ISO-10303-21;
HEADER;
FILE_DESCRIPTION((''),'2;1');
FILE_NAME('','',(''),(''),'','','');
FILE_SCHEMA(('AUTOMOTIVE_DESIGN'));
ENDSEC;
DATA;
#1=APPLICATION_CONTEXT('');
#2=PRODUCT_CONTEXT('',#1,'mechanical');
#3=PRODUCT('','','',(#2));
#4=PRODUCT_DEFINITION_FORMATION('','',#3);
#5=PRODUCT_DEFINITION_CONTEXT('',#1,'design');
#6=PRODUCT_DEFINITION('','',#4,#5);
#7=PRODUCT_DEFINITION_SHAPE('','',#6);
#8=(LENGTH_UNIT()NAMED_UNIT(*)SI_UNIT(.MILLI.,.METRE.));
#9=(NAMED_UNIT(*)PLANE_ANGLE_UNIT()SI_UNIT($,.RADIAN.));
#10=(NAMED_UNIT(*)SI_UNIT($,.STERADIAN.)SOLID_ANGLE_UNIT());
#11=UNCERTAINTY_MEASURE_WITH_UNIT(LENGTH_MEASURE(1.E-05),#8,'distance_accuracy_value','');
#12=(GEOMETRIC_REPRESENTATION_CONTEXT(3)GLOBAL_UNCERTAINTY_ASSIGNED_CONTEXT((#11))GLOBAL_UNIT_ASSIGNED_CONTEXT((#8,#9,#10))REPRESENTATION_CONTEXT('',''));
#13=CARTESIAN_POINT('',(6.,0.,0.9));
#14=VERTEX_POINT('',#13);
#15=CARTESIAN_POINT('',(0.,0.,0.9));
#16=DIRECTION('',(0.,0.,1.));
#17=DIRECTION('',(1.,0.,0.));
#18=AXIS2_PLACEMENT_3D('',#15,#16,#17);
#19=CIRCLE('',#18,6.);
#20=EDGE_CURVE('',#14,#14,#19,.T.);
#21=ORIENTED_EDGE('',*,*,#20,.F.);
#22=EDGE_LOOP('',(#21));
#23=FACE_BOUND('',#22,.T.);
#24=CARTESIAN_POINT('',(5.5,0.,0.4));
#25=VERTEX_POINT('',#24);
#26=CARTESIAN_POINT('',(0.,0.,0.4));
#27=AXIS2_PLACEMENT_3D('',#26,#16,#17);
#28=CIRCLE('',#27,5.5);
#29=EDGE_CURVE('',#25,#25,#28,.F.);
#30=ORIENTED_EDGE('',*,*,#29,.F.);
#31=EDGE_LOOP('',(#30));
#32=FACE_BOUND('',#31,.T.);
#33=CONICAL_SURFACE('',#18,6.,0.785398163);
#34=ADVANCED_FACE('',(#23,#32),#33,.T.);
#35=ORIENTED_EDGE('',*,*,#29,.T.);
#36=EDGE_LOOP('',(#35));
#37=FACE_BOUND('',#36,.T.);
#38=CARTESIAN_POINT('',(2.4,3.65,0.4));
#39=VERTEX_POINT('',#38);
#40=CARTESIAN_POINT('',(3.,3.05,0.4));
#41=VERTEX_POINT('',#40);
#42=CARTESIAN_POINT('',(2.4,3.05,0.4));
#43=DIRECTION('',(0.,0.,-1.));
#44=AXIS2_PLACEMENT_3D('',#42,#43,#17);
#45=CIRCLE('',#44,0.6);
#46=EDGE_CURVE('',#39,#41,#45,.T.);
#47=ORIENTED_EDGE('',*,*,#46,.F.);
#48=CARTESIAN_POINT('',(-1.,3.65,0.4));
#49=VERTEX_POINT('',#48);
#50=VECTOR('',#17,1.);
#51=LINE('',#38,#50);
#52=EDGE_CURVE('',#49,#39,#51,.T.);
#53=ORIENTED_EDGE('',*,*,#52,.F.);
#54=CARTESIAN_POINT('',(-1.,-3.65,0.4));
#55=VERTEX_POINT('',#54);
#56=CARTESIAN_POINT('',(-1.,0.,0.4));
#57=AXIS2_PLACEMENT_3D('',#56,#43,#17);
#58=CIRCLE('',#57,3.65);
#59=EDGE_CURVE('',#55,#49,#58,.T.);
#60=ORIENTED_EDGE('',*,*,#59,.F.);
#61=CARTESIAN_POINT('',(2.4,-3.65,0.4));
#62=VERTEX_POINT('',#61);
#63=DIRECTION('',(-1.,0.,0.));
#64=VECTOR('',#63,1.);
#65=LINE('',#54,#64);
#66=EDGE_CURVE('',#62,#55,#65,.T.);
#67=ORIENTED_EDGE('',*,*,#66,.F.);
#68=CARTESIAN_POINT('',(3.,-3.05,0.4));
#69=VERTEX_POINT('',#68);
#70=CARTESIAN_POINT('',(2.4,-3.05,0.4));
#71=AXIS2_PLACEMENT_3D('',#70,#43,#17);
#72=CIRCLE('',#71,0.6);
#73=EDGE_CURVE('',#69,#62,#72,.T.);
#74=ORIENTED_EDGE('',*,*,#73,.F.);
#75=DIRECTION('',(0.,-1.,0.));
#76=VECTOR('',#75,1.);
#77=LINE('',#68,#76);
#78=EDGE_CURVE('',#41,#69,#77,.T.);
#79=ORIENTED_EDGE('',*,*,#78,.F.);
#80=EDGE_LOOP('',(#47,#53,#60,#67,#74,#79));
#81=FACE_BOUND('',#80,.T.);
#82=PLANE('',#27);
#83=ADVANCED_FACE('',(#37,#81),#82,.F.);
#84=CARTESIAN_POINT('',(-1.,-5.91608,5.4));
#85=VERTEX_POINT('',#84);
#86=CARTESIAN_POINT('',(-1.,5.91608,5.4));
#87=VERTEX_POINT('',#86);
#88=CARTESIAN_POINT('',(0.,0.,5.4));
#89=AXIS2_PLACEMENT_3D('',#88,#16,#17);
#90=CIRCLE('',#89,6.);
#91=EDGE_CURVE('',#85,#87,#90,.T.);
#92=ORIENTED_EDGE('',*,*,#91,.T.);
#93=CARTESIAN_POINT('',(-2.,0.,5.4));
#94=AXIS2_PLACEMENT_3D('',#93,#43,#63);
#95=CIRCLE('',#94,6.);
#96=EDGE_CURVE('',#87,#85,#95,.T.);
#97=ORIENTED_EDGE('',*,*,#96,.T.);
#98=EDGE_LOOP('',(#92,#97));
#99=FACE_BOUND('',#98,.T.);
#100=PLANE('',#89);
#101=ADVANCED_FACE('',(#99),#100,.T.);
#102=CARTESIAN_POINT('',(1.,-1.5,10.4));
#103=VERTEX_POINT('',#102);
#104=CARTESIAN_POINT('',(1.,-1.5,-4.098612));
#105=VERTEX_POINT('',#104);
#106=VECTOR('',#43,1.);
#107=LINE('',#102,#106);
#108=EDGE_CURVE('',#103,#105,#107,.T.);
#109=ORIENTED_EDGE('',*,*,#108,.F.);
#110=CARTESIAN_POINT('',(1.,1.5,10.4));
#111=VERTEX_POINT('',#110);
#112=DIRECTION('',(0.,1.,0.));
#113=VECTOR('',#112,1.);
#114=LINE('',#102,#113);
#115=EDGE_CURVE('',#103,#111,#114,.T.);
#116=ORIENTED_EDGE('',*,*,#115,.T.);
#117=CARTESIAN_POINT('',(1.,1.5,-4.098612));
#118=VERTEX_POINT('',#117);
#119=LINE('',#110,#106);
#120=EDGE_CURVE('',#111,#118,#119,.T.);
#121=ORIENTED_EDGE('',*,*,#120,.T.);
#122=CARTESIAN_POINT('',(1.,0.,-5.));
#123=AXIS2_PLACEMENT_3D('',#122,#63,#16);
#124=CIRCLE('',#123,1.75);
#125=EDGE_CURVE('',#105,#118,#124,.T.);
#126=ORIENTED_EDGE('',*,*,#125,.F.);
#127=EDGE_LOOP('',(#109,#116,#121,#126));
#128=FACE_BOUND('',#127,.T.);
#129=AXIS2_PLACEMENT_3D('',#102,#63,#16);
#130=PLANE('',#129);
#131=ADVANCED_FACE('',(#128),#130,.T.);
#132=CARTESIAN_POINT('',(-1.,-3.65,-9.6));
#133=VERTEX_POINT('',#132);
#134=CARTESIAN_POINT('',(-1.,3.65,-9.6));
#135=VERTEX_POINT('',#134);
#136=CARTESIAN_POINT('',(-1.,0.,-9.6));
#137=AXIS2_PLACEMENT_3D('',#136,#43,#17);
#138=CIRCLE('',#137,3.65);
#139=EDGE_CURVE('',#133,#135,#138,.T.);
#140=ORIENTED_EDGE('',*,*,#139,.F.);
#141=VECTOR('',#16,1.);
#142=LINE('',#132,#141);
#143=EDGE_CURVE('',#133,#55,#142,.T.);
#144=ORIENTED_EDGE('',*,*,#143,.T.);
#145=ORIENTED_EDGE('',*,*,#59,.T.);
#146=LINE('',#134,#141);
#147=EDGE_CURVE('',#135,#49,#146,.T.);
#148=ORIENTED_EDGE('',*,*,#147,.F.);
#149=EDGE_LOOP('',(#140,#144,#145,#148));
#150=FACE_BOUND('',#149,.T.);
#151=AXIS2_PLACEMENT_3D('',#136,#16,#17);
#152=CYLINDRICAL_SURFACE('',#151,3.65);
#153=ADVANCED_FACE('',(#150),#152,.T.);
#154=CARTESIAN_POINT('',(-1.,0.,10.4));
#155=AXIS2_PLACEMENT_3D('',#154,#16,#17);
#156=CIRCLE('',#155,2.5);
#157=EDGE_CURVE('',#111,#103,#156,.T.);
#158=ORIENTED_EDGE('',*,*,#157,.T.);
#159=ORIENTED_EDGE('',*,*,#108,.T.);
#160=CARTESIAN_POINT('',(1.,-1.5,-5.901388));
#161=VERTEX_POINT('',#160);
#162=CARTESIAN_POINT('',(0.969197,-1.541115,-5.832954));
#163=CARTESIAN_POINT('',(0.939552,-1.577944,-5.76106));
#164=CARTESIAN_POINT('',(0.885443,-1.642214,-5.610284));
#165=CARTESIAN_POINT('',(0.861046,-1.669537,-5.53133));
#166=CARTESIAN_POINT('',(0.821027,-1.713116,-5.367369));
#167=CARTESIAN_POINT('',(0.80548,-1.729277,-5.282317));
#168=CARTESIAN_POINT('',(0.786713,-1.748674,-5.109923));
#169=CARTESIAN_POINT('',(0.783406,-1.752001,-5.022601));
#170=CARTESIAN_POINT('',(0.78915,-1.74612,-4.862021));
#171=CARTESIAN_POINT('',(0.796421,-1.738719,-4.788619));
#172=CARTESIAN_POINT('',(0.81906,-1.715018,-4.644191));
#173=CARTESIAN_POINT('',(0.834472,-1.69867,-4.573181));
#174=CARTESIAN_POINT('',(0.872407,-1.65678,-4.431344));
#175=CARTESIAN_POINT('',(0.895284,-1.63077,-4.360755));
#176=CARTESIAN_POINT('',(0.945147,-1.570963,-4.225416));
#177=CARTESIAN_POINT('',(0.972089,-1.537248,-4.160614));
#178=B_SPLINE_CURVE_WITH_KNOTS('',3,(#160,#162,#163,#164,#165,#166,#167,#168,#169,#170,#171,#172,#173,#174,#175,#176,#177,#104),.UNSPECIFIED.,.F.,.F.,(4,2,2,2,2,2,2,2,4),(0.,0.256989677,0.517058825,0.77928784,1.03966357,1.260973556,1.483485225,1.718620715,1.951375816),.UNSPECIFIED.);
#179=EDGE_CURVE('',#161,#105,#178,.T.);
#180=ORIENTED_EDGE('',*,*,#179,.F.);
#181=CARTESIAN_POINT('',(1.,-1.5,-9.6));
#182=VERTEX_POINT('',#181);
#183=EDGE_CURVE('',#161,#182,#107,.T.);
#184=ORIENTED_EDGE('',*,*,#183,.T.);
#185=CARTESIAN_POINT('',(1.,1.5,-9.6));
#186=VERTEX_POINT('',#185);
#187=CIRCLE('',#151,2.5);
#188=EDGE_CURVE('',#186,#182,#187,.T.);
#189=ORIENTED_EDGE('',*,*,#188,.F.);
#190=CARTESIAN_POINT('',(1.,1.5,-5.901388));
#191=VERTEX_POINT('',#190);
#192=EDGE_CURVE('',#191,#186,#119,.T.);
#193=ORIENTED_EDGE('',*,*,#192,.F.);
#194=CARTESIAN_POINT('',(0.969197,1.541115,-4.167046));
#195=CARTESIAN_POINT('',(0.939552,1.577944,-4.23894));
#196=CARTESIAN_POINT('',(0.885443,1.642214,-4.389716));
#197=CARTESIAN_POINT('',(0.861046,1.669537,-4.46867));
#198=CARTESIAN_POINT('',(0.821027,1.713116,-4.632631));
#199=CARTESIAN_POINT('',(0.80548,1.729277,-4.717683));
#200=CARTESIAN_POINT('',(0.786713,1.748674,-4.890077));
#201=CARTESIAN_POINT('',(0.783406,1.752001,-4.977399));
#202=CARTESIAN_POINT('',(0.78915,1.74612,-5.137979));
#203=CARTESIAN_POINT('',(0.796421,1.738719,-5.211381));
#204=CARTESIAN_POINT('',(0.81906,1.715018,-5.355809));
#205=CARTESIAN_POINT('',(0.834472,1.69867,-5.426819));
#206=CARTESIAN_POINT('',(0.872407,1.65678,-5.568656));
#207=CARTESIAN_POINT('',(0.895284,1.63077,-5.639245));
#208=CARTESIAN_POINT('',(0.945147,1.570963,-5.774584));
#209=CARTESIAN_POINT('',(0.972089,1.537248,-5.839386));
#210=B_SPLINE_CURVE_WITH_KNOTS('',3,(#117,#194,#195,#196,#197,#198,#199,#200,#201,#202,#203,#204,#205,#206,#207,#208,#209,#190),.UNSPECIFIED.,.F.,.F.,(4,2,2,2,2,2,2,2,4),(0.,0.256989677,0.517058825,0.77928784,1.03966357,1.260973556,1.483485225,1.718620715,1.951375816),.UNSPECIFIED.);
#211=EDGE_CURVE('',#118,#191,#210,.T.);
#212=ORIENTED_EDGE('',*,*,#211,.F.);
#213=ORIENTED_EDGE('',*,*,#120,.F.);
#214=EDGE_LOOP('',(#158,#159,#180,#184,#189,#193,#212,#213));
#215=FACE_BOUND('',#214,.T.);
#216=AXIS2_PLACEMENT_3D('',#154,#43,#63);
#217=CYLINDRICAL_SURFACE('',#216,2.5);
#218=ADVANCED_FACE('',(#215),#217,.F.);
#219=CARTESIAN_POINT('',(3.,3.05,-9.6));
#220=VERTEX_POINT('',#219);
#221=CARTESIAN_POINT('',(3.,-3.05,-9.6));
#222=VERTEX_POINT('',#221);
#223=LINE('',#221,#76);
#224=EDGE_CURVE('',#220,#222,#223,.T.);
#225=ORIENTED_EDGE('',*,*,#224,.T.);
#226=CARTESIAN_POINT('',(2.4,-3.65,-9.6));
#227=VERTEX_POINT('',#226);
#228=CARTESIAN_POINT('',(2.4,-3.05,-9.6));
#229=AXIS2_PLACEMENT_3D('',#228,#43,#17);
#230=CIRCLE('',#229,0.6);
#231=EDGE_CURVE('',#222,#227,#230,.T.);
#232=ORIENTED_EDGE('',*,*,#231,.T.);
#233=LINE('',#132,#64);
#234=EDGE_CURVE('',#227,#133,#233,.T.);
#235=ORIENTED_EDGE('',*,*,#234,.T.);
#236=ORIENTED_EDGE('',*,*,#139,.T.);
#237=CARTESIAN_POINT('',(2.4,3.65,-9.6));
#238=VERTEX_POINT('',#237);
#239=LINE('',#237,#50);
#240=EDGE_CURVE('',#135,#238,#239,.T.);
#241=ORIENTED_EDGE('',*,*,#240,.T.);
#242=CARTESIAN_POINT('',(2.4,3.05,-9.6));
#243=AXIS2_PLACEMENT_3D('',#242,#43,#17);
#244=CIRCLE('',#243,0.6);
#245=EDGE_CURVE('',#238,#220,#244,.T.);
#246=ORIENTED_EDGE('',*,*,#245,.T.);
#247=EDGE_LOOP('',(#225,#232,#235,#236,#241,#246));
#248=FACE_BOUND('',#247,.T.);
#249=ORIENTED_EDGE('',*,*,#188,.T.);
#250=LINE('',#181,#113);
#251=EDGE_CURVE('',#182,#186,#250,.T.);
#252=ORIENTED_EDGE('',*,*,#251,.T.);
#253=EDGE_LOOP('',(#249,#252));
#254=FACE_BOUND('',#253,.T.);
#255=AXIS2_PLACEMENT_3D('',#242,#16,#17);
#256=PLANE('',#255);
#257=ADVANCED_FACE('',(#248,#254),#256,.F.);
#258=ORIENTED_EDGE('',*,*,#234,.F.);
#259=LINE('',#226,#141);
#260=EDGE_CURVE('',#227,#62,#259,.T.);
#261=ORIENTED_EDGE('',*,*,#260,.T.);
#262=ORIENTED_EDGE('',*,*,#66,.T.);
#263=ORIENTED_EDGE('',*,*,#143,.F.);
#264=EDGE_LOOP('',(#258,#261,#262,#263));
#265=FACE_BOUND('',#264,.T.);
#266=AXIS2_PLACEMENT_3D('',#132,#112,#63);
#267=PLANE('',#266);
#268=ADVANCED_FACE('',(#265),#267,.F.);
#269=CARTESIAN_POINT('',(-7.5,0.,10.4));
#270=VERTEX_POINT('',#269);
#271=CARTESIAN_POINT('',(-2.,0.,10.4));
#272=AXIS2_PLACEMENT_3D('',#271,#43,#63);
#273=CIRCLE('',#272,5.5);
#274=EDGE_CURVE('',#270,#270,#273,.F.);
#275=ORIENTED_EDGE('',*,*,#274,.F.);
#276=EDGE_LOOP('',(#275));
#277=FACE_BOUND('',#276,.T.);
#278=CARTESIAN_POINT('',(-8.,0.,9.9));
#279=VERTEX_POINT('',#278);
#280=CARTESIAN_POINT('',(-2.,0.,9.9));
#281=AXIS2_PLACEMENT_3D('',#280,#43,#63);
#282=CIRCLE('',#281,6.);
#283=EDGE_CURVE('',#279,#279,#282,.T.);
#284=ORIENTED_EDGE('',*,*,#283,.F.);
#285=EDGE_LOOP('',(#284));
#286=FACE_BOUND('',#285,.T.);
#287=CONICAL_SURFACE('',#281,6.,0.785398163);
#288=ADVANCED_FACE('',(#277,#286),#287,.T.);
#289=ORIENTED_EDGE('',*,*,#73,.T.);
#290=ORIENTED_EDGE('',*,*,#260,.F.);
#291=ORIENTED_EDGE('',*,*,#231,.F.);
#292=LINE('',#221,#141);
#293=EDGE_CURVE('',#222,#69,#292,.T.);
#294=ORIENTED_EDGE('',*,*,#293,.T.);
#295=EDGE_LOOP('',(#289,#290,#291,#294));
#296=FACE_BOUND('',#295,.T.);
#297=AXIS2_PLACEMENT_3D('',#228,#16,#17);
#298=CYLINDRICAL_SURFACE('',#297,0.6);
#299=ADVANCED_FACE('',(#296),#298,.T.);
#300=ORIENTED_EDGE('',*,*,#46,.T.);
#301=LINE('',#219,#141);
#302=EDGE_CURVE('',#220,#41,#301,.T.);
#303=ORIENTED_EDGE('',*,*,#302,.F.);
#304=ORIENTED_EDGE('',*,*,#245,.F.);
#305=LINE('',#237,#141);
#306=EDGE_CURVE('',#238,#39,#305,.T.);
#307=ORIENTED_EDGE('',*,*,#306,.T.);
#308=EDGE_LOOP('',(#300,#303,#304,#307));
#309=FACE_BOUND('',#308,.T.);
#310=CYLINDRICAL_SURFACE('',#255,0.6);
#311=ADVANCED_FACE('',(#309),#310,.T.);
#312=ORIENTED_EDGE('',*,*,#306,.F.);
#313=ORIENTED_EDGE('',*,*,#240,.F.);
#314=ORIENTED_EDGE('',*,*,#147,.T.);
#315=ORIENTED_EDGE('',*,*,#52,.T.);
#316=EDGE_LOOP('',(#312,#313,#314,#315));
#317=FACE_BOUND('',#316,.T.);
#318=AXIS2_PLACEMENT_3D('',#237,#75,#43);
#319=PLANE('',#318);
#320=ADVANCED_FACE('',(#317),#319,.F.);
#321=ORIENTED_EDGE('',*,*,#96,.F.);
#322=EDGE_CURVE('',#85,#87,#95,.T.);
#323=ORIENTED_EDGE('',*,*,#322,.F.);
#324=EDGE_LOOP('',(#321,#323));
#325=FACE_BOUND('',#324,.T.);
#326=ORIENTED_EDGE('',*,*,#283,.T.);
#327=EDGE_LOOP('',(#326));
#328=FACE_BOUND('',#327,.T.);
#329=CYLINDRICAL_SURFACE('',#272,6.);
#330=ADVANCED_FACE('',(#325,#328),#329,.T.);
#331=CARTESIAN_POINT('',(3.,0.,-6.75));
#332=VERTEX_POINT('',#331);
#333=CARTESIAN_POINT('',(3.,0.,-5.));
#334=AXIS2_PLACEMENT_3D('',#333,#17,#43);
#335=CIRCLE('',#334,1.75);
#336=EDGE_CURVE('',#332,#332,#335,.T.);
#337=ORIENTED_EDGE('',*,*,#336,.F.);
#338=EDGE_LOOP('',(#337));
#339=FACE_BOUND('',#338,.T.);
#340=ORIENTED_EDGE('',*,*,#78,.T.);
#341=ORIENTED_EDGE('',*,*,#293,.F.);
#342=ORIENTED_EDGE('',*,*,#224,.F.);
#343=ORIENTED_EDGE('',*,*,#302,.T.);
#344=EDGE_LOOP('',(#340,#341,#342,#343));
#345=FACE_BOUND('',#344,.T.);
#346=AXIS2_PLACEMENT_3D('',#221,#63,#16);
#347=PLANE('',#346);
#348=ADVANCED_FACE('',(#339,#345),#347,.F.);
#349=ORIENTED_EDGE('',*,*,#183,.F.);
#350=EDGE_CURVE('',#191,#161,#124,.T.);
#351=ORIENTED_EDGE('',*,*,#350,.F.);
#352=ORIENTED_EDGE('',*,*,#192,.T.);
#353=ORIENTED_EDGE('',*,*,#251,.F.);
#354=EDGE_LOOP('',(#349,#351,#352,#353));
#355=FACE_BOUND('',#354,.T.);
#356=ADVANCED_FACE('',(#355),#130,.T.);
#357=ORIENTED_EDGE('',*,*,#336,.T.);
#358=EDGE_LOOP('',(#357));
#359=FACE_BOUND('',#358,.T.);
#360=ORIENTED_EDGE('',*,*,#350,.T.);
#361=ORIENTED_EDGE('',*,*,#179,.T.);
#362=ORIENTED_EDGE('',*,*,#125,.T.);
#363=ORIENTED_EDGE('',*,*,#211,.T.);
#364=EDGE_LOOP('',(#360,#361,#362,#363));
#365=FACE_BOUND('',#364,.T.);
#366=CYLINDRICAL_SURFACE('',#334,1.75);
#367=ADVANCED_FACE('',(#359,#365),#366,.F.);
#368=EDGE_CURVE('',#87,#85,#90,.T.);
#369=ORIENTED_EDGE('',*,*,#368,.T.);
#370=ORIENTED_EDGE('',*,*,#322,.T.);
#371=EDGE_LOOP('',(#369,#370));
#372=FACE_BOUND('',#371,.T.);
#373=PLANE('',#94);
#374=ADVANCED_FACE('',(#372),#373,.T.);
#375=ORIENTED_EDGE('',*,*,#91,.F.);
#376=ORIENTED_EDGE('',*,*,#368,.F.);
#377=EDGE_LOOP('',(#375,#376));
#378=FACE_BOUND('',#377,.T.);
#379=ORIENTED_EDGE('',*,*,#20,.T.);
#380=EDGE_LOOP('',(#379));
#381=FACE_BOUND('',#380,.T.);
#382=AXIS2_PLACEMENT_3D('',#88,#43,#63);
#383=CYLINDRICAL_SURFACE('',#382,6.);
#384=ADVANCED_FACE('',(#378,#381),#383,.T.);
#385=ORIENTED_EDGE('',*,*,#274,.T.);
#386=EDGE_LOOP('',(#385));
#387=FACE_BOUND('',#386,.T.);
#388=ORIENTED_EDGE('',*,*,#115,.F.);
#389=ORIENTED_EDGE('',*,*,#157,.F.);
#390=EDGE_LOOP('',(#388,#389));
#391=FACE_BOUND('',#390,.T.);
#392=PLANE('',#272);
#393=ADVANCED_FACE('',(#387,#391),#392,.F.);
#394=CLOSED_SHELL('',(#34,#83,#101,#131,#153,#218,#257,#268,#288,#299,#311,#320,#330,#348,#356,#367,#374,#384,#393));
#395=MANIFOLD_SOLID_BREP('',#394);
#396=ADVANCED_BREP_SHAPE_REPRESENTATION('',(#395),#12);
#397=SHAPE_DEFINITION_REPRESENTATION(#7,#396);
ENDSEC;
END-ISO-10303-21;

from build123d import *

# Parameters (mm, degrees)
SKETCH10_R                     = 6
BOSS_EXTRUDE4_DEPTH            = 5
BOSS_EXTRUDE5_DEPTH            = 10
SKETCH16_R                     = 6
BOSS_EXTRUDE6_DEPTH            = 5
CUT_EXTRUDE2_DEPTH             = 23.360679775
F_3_5_3_5_DIAMETER_HOLE0_D     = 3.5
F_3_5_3_5_DIAMETER_HOLE0_DEPTH = 4
F_3_5_3_5_DIAMETER_HOLE0_TIP   = 1.051506083
CHAMFER2_SIZE                  = 0.5


with BuildPart() as part:
    # Sketch10 → Boss-Extrude4 (new body)
    with BuildSketch(Plane.XY.offset(0.4)):
        Circle(SKETCH10_R)
    extrude(amount=BOSS_EXTRUDE4_DEPTH)

    # Sketch11 → Boss-Extrude5 (add)
    with BuildSketch(Plane(origin=(0, 0, 0.4), x_dir=(-1, 0, 0), z_dir=(0, 0, -1))):
        with BuildLine():
            Line((-3, -3.05), (-3, 3.05))
            ThreePointArc((-3, 3.05), (-2.824264069, 3.474264069), (-2.4, 3.65))
            Line((-2.4, 3.65), (1, 3.65))
            ThreePointArc((1, 3.65), (4.65, 0), (1, -3.65))
            Line((1, -3.65), (-2.4, -3.65))
            ThreePointArc((-2.4, -3.65), (-2.824264069, -3.474264069), (-3, -3.05))
        make_face()
    extrude(amount=BOSS_EXTRUDE5_DEPTH)

    # Sketch16 → Boss-Extrude6 (add)
    with BuildSketch(Plane(origin=(0, 0, 5.4), x_dir=(-1, 0, 0), z_dir=(0, 0, -1))):
        with Locations((2, 0)):
            Circle(SKETCH16_R)
    extrude(amount=-BOSS_EXTRUDE6_DEPTH)

    # Sketch17 → Cut-Extrude2 (cut, through all)
    with BuildSketch(Plane.XY.offset(-9.6)):
        with BuildLine():
            Line((1, -1.5), (1, 1.5))
            ThreePointArc((1, 1.5), (-3.5, 0), (1, -1.5))
        make_face()
    extrude(amount=CUT_EXTRUDE2_DEPTH, mode=Mode.SUBTRACT)

    # Ø3.5 (3.5) Diameter Hole0
    with Locations(Plane(origin=(3, 0, 0), x_dir=(0, 0, -1), z_dir=(1, 0, 0))):
        with Locations((5, 0)):
            Hole(F_3_5_3_5_DIAMETER_HOLE0_D / 2, depth=F_3_5_3_5_DIAMETER_HOLE0_DEPTH)
            with Locations((0, 0, -(F_3_5_3_5_DIAMETER_HOLE0_DEPTH + F_3_5_3_5_DIAMETER_HOLE0_TIP / 2))):  # 118° drill point
                Cone(0, F_3_5_3_5_DIAMETER_HOLE0_D / 2, F_3_5_3_5_DIAMETER_HOLE0_TIP, mode=Mode.SUBTRACT)

    # Chamfer2
    chamfer2_edges = [part.edges().sort_by_distance(p)[0] for p in [
        (-6, 0, 0.4),
        (4, 0, 10.4),
    ]]
    chamfer(chamfer2_edges, length=CHAMFER2_SIZE)


solid = part.part
